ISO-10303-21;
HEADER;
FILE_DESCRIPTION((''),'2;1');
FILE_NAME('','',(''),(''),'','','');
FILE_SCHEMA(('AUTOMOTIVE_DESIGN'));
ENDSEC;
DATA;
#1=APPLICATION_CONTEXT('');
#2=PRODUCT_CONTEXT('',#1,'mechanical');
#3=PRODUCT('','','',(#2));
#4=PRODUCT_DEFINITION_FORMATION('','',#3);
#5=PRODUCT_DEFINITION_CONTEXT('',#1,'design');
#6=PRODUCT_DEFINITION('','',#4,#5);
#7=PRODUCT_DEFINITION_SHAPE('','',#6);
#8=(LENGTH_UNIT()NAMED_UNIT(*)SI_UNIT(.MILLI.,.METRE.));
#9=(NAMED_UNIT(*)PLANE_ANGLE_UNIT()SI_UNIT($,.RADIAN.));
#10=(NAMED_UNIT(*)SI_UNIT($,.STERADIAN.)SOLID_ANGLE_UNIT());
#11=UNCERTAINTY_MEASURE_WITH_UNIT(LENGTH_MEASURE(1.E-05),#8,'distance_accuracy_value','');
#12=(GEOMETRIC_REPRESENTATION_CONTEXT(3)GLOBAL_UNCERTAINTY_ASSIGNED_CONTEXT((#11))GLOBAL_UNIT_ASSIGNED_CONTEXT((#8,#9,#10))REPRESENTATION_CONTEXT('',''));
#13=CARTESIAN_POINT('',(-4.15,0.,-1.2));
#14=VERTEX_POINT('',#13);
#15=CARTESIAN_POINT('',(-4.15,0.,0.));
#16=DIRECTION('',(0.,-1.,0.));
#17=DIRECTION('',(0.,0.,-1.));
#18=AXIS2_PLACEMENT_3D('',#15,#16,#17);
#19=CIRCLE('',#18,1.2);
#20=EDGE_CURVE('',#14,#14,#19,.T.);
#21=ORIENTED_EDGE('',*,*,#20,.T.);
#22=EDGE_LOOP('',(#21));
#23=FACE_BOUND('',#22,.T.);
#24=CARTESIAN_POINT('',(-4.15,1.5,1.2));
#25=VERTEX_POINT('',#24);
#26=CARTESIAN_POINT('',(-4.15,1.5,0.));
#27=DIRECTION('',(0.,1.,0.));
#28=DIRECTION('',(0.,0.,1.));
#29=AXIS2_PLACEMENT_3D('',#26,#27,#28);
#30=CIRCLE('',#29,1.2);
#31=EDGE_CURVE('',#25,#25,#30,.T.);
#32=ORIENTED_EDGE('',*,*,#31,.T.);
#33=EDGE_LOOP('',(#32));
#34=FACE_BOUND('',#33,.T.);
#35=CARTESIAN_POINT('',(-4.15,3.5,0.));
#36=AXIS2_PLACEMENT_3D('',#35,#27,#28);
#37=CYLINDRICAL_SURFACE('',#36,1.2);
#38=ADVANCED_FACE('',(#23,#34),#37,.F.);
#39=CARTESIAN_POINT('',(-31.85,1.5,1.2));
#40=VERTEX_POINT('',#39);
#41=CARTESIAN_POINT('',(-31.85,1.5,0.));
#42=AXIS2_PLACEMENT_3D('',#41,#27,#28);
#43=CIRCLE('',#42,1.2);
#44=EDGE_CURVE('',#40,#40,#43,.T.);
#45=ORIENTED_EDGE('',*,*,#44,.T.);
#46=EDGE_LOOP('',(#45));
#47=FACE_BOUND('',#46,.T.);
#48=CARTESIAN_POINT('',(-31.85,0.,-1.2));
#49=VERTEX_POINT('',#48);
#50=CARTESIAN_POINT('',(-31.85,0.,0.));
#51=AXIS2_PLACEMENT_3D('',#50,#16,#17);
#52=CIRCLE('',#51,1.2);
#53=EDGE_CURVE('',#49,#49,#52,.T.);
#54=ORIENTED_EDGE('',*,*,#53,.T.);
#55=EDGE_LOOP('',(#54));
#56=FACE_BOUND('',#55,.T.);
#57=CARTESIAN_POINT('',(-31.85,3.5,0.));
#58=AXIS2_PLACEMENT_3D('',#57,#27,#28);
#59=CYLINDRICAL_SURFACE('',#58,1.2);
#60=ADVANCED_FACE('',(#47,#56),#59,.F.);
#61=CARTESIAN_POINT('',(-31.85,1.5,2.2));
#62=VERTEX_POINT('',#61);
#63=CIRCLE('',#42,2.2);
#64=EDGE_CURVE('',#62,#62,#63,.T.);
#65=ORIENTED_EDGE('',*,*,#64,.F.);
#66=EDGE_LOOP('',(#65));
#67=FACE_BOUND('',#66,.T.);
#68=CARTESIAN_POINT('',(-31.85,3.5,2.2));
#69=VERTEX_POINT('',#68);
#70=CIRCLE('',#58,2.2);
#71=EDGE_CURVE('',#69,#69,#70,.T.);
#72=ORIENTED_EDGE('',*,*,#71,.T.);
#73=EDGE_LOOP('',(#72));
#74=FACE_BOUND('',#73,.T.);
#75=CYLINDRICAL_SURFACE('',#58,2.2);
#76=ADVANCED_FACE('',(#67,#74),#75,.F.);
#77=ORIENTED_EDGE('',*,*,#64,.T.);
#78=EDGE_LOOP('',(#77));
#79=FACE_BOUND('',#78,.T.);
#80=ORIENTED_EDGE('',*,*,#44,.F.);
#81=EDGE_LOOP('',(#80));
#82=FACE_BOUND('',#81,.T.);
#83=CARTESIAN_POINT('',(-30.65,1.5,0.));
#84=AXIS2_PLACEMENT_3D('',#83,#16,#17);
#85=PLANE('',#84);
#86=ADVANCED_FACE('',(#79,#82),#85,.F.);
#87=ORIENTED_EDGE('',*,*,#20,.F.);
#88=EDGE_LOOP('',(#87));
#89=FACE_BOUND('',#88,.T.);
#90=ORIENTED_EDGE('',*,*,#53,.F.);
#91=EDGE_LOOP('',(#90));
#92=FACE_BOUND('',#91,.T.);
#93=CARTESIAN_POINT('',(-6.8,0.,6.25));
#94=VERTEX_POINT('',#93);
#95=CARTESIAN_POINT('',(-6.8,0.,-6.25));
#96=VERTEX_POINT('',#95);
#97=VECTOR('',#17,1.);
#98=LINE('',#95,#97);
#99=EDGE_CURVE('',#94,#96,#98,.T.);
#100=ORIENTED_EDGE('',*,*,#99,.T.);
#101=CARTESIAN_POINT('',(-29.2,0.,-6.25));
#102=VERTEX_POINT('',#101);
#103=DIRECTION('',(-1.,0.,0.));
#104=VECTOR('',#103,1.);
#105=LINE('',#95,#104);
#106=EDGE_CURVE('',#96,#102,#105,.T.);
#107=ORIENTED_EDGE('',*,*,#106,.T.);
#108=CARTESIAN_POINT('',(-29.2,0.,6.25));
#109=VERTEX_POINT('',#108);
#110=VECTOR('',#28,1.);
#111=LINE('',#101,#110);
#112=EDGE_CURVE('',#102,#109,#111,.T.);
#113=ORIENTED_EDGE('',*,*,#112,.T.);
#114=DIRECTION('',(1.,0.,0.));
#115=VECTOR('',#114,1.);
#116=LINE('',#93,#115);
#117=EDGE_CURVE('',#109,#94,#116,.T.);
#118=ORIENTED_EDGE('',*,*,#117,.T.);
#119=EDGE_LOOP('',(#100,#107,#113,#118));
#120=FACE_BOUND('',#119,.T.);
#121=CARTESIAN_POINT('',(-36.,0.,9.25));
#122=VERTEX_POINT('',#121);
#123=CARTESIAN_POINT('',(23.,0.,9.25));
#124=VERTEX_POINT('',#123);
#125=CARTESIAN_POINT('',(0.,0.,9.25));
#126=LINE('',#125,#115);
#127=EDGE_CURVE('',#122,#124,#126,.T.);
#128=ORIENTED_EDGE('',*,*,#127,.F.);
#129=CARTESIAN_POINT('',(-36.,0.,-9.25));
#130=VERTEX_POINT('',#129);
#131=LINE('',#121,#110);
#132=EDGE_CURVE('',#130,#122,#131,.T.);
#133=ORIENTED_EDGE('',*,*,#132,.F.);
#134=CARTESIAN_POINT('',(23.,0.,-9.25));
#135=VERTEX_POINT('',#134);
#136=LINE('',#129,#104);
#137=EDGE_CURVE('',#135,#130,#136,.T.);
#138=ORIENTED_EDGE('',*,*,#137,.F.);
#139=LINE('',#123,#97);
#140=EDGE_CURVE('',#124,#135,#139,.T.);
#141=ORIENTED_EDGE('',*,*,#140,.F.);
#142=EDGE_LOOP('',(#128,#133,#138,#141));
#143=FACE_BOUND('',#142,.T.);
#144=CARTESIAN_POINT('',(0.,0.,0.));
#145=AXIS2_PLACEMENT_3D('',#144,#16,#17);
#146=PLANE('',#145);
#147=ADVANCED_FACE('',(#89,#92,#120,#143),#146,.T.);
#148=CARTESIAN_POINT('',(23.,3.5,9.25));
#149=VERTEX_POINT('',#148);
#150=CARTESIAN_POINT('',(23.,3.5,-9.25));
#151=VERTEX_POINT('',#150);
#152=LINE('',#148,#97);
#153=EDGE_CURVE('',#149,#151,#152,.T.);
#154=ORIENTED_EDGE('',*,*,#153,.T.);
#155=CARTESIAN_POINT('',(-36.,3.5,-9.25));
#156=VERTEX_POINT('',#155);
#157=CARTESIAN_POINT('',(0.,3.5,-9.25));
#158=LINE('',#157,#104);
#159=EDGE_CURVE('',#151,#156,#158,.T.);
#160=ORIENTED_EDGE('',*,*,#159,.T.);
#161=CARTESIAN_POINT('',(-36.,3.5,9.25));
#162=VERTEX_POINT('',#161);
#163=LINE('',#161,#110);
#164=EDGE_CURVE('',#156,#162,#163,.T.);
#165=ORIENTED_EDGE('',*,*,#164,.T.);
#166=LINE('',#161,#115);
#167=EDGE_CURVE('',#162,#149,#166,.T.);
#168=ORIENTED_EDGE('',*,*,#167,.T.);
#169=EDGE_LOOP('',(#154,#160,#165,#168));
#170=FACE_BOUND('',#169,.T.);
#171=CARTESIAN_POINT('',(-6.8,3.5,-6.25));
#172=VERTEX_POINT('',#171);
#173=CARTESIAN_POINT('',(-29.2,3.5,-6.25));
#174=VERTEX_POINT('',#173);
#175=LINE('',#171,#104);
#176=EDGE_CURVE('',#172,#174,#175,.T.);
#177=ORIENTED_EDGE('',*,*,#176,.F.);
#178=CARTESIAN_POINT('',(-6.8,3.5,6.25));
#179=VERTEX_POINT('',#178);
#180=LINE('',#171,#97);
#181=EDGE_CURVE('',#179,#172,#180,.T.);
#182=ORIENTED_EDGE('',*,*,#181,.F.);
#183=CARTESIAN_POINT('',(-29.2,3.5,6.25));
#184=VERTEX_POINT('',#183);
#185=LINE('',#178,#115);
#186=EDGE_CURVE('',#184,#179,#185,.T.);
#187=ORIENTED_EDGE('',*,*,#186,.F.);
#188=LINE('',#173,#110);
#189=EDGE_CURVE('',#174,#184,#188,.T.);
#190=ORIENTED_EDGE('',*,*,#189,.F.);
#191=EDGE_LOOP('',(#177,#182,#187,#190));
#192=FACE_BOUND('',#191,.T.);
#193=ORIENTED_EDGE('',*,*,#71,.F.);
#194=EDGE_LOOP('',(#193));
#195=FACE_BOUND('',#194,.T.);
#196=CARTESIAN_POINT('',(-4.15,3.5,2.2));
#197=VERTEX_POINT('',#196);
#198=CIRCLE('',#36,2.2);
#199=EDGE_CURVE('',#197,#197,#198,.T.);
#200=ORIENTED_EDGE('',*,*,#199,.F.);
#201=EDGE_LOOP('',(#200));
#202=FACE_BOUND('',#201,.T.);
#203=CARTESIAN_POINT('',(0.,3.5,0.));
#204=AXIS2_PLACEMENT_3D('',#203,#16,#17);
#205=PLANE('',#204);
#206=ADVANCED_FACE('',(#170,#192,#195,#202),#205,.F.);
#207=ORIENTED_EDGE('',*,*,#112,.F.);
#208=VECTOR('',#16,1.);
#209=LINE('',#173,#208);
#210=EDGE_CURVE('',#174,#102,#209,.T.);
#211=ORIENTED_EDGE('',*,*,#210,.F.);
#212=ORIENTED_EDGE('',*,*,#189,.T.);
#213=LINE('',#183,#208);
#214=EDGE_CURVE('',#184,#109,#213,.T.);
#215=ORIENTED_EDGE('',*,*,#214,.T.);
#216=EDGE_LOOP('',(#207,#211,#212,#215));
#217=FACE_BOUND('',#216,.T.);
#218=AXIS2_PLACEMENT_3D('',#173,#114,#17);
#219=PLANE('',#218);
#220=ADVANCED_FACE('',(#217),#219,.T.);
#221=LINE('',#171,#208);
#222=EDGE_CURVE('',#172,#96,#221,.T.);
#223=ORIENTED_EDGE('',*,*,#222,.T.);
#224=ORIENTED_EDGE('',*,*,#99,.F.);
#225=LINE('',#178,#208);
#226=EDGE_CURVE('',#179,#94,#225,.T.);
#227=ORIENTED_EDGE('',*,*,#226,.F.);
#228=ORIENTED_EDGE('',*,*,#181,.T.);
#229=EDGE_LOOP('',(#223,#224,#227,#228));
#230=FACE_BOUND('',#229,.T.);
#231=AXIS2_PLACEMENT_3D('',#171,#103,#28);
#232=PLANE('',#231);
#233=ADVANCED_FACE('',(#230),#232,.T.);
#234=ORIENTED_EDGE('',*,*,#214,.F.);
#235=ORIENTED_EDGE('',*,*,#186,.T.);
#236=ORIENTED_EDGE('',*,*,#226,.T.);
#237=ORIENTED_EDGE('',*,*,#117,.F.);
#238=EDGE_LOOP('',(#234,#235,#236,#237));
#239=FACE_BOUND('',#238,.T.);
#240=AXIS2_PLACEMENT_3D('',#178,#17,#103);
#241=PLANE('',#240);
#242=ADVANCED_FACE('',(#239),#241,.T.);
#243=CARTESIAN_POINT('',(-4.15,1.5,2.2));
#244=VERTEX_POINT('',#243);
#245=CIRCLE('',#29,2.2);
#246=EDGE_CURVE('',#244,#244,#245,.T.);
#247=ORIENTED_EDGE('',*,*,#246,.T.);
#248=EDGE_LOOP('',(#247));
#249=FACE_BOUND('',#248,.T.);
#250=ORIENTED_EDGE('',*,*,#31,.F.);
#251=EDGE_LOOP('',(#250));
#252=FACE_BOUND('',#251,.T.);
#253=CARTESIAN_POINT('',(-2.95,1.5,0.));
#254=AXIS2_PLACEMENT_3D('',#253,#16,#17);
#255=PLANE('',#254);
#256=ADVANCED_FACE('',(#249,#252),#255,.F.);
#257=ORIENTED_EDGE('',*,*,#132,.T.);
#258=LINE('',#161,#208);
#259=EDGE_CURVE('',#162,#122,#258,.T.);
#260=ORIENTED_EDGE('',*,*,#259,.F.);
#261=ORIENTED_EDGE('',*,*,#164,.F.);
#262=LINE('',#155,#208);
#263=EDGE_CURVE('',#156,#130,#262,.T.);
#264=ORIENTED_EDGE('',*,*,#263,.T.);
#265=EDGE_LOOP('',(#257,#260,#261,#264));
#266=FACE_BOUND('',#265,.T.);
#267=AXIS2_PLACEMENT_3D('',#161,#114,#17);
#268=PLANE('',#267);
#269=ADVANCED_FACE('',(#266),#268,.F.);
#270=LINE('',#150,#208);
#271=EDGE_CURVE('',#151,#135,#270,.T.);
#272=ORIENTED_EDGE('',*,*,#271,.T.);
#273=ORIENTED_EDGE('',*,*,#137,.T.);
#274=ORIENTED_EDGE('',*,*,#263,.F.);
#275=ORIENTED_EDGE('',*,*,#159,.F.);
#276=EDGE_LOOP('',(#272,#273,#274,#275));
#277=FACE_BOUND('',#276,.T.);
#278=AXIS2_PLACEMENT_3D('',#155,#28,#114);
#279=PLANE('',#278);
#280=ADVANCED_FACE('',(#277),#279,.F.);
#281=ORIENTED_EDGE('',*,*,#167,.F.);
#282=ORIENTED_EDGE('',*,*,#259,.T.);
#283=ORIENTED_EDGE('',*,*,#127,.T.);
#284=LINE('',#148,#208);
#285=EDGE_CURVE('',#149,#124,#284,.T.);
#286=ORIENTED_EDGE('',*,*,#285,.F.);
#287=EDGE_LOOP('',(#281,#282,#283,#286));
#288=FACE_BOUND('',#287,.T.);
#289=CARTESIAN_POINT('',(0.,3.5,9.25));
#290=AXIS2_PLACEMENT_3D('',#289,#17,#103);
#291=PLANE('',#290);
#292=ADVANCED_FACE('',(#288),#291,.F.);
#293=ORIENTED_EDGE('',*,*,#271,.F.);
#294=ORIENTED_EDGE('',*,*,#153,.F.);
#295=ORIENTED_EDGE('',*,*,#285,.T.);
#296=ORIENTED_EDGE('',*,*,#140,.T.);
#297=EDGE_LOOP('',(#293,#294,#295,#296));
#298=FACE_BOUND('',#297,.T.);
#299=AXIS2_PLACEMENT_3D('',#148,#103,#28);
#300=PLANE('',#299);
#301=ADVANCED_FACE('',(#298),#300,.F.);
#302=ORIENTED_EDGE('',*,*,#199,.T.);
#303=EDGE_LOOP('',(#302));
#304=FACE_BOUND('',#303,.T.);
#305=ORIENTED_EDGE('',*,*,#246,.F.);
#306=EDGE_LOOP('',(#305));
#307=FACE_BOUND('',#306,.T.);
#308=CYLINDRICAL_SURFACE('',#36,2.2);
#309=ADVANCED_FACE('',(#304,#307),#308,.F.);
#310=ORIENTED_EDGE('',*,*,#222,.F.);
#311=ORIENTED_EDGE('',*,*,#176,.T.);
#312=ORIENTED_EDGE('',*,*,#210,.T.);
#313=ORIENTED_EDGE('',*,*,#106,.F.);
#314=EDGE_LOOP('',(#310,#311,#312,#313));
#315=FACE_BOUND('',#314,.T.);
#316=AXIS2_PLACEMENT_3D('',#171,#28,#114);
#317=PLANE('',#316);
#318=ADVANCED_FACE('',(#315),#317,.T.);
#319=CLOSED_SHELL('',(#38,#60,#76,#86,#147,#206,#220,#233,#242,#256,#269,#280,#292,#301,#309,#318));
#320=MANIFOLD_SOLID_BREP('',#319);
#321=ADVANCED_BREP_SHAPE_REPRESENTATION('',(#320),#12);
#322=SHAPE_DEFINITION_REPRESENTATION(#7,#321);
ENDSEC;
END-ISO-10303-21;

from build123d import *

# Parameters (mm, degrees)
SKETCH_1_W                   = 22.4
SKETCH_1_H                   = 12.5
EXTRUDE_1_DEPTH              = 3.5
HOLE_WIZARD_M2_2_D           = 2.4
HOLE_WIZARD_M2_2_CBORE_D     = 4.4
HOLE_WIZARD_M2_2_CBORE_DEPTH = 2


with BuildPart() as part:
    # 草图1 → 凸台-拉伸1 (new body)
    with BuildSketch(Plane(origin=(0, 0, 0), x_dir=(1, 0, 0), z_dir=(0, 1, 0))):
        Polygon((-36, -9.25), (0, -9.25), (23, -9.25), (23, 9.25), (0, 9.25), (-36, 9.25), align=None)
        with Locations((-18, 0)):
            Rectangle(SKETCH_1_W, SKETCH_1_H, mode=Mode.SUBTRACT)
    extrude(amount=EXTRUDE_1_DEPTH)

    # M2 凹头盖螺钉的柱形沉头孔2 (through all)
    with Locations(Plane(origin=(-31.85, 3.5, 0), x_dir=(0, 0, 1), z_dir=(0, 1, 0))):
        with Locations((0, 0), (0, 27.7)):
            CounterBoreHole(HOLE_WIZARD_M2_2_D / 2, HOLE_WIZARD_M2_2_CBORE_D / 2, HOLE_WIZARD_M2_2_CBORE_DEPTH)


solid = part.part
